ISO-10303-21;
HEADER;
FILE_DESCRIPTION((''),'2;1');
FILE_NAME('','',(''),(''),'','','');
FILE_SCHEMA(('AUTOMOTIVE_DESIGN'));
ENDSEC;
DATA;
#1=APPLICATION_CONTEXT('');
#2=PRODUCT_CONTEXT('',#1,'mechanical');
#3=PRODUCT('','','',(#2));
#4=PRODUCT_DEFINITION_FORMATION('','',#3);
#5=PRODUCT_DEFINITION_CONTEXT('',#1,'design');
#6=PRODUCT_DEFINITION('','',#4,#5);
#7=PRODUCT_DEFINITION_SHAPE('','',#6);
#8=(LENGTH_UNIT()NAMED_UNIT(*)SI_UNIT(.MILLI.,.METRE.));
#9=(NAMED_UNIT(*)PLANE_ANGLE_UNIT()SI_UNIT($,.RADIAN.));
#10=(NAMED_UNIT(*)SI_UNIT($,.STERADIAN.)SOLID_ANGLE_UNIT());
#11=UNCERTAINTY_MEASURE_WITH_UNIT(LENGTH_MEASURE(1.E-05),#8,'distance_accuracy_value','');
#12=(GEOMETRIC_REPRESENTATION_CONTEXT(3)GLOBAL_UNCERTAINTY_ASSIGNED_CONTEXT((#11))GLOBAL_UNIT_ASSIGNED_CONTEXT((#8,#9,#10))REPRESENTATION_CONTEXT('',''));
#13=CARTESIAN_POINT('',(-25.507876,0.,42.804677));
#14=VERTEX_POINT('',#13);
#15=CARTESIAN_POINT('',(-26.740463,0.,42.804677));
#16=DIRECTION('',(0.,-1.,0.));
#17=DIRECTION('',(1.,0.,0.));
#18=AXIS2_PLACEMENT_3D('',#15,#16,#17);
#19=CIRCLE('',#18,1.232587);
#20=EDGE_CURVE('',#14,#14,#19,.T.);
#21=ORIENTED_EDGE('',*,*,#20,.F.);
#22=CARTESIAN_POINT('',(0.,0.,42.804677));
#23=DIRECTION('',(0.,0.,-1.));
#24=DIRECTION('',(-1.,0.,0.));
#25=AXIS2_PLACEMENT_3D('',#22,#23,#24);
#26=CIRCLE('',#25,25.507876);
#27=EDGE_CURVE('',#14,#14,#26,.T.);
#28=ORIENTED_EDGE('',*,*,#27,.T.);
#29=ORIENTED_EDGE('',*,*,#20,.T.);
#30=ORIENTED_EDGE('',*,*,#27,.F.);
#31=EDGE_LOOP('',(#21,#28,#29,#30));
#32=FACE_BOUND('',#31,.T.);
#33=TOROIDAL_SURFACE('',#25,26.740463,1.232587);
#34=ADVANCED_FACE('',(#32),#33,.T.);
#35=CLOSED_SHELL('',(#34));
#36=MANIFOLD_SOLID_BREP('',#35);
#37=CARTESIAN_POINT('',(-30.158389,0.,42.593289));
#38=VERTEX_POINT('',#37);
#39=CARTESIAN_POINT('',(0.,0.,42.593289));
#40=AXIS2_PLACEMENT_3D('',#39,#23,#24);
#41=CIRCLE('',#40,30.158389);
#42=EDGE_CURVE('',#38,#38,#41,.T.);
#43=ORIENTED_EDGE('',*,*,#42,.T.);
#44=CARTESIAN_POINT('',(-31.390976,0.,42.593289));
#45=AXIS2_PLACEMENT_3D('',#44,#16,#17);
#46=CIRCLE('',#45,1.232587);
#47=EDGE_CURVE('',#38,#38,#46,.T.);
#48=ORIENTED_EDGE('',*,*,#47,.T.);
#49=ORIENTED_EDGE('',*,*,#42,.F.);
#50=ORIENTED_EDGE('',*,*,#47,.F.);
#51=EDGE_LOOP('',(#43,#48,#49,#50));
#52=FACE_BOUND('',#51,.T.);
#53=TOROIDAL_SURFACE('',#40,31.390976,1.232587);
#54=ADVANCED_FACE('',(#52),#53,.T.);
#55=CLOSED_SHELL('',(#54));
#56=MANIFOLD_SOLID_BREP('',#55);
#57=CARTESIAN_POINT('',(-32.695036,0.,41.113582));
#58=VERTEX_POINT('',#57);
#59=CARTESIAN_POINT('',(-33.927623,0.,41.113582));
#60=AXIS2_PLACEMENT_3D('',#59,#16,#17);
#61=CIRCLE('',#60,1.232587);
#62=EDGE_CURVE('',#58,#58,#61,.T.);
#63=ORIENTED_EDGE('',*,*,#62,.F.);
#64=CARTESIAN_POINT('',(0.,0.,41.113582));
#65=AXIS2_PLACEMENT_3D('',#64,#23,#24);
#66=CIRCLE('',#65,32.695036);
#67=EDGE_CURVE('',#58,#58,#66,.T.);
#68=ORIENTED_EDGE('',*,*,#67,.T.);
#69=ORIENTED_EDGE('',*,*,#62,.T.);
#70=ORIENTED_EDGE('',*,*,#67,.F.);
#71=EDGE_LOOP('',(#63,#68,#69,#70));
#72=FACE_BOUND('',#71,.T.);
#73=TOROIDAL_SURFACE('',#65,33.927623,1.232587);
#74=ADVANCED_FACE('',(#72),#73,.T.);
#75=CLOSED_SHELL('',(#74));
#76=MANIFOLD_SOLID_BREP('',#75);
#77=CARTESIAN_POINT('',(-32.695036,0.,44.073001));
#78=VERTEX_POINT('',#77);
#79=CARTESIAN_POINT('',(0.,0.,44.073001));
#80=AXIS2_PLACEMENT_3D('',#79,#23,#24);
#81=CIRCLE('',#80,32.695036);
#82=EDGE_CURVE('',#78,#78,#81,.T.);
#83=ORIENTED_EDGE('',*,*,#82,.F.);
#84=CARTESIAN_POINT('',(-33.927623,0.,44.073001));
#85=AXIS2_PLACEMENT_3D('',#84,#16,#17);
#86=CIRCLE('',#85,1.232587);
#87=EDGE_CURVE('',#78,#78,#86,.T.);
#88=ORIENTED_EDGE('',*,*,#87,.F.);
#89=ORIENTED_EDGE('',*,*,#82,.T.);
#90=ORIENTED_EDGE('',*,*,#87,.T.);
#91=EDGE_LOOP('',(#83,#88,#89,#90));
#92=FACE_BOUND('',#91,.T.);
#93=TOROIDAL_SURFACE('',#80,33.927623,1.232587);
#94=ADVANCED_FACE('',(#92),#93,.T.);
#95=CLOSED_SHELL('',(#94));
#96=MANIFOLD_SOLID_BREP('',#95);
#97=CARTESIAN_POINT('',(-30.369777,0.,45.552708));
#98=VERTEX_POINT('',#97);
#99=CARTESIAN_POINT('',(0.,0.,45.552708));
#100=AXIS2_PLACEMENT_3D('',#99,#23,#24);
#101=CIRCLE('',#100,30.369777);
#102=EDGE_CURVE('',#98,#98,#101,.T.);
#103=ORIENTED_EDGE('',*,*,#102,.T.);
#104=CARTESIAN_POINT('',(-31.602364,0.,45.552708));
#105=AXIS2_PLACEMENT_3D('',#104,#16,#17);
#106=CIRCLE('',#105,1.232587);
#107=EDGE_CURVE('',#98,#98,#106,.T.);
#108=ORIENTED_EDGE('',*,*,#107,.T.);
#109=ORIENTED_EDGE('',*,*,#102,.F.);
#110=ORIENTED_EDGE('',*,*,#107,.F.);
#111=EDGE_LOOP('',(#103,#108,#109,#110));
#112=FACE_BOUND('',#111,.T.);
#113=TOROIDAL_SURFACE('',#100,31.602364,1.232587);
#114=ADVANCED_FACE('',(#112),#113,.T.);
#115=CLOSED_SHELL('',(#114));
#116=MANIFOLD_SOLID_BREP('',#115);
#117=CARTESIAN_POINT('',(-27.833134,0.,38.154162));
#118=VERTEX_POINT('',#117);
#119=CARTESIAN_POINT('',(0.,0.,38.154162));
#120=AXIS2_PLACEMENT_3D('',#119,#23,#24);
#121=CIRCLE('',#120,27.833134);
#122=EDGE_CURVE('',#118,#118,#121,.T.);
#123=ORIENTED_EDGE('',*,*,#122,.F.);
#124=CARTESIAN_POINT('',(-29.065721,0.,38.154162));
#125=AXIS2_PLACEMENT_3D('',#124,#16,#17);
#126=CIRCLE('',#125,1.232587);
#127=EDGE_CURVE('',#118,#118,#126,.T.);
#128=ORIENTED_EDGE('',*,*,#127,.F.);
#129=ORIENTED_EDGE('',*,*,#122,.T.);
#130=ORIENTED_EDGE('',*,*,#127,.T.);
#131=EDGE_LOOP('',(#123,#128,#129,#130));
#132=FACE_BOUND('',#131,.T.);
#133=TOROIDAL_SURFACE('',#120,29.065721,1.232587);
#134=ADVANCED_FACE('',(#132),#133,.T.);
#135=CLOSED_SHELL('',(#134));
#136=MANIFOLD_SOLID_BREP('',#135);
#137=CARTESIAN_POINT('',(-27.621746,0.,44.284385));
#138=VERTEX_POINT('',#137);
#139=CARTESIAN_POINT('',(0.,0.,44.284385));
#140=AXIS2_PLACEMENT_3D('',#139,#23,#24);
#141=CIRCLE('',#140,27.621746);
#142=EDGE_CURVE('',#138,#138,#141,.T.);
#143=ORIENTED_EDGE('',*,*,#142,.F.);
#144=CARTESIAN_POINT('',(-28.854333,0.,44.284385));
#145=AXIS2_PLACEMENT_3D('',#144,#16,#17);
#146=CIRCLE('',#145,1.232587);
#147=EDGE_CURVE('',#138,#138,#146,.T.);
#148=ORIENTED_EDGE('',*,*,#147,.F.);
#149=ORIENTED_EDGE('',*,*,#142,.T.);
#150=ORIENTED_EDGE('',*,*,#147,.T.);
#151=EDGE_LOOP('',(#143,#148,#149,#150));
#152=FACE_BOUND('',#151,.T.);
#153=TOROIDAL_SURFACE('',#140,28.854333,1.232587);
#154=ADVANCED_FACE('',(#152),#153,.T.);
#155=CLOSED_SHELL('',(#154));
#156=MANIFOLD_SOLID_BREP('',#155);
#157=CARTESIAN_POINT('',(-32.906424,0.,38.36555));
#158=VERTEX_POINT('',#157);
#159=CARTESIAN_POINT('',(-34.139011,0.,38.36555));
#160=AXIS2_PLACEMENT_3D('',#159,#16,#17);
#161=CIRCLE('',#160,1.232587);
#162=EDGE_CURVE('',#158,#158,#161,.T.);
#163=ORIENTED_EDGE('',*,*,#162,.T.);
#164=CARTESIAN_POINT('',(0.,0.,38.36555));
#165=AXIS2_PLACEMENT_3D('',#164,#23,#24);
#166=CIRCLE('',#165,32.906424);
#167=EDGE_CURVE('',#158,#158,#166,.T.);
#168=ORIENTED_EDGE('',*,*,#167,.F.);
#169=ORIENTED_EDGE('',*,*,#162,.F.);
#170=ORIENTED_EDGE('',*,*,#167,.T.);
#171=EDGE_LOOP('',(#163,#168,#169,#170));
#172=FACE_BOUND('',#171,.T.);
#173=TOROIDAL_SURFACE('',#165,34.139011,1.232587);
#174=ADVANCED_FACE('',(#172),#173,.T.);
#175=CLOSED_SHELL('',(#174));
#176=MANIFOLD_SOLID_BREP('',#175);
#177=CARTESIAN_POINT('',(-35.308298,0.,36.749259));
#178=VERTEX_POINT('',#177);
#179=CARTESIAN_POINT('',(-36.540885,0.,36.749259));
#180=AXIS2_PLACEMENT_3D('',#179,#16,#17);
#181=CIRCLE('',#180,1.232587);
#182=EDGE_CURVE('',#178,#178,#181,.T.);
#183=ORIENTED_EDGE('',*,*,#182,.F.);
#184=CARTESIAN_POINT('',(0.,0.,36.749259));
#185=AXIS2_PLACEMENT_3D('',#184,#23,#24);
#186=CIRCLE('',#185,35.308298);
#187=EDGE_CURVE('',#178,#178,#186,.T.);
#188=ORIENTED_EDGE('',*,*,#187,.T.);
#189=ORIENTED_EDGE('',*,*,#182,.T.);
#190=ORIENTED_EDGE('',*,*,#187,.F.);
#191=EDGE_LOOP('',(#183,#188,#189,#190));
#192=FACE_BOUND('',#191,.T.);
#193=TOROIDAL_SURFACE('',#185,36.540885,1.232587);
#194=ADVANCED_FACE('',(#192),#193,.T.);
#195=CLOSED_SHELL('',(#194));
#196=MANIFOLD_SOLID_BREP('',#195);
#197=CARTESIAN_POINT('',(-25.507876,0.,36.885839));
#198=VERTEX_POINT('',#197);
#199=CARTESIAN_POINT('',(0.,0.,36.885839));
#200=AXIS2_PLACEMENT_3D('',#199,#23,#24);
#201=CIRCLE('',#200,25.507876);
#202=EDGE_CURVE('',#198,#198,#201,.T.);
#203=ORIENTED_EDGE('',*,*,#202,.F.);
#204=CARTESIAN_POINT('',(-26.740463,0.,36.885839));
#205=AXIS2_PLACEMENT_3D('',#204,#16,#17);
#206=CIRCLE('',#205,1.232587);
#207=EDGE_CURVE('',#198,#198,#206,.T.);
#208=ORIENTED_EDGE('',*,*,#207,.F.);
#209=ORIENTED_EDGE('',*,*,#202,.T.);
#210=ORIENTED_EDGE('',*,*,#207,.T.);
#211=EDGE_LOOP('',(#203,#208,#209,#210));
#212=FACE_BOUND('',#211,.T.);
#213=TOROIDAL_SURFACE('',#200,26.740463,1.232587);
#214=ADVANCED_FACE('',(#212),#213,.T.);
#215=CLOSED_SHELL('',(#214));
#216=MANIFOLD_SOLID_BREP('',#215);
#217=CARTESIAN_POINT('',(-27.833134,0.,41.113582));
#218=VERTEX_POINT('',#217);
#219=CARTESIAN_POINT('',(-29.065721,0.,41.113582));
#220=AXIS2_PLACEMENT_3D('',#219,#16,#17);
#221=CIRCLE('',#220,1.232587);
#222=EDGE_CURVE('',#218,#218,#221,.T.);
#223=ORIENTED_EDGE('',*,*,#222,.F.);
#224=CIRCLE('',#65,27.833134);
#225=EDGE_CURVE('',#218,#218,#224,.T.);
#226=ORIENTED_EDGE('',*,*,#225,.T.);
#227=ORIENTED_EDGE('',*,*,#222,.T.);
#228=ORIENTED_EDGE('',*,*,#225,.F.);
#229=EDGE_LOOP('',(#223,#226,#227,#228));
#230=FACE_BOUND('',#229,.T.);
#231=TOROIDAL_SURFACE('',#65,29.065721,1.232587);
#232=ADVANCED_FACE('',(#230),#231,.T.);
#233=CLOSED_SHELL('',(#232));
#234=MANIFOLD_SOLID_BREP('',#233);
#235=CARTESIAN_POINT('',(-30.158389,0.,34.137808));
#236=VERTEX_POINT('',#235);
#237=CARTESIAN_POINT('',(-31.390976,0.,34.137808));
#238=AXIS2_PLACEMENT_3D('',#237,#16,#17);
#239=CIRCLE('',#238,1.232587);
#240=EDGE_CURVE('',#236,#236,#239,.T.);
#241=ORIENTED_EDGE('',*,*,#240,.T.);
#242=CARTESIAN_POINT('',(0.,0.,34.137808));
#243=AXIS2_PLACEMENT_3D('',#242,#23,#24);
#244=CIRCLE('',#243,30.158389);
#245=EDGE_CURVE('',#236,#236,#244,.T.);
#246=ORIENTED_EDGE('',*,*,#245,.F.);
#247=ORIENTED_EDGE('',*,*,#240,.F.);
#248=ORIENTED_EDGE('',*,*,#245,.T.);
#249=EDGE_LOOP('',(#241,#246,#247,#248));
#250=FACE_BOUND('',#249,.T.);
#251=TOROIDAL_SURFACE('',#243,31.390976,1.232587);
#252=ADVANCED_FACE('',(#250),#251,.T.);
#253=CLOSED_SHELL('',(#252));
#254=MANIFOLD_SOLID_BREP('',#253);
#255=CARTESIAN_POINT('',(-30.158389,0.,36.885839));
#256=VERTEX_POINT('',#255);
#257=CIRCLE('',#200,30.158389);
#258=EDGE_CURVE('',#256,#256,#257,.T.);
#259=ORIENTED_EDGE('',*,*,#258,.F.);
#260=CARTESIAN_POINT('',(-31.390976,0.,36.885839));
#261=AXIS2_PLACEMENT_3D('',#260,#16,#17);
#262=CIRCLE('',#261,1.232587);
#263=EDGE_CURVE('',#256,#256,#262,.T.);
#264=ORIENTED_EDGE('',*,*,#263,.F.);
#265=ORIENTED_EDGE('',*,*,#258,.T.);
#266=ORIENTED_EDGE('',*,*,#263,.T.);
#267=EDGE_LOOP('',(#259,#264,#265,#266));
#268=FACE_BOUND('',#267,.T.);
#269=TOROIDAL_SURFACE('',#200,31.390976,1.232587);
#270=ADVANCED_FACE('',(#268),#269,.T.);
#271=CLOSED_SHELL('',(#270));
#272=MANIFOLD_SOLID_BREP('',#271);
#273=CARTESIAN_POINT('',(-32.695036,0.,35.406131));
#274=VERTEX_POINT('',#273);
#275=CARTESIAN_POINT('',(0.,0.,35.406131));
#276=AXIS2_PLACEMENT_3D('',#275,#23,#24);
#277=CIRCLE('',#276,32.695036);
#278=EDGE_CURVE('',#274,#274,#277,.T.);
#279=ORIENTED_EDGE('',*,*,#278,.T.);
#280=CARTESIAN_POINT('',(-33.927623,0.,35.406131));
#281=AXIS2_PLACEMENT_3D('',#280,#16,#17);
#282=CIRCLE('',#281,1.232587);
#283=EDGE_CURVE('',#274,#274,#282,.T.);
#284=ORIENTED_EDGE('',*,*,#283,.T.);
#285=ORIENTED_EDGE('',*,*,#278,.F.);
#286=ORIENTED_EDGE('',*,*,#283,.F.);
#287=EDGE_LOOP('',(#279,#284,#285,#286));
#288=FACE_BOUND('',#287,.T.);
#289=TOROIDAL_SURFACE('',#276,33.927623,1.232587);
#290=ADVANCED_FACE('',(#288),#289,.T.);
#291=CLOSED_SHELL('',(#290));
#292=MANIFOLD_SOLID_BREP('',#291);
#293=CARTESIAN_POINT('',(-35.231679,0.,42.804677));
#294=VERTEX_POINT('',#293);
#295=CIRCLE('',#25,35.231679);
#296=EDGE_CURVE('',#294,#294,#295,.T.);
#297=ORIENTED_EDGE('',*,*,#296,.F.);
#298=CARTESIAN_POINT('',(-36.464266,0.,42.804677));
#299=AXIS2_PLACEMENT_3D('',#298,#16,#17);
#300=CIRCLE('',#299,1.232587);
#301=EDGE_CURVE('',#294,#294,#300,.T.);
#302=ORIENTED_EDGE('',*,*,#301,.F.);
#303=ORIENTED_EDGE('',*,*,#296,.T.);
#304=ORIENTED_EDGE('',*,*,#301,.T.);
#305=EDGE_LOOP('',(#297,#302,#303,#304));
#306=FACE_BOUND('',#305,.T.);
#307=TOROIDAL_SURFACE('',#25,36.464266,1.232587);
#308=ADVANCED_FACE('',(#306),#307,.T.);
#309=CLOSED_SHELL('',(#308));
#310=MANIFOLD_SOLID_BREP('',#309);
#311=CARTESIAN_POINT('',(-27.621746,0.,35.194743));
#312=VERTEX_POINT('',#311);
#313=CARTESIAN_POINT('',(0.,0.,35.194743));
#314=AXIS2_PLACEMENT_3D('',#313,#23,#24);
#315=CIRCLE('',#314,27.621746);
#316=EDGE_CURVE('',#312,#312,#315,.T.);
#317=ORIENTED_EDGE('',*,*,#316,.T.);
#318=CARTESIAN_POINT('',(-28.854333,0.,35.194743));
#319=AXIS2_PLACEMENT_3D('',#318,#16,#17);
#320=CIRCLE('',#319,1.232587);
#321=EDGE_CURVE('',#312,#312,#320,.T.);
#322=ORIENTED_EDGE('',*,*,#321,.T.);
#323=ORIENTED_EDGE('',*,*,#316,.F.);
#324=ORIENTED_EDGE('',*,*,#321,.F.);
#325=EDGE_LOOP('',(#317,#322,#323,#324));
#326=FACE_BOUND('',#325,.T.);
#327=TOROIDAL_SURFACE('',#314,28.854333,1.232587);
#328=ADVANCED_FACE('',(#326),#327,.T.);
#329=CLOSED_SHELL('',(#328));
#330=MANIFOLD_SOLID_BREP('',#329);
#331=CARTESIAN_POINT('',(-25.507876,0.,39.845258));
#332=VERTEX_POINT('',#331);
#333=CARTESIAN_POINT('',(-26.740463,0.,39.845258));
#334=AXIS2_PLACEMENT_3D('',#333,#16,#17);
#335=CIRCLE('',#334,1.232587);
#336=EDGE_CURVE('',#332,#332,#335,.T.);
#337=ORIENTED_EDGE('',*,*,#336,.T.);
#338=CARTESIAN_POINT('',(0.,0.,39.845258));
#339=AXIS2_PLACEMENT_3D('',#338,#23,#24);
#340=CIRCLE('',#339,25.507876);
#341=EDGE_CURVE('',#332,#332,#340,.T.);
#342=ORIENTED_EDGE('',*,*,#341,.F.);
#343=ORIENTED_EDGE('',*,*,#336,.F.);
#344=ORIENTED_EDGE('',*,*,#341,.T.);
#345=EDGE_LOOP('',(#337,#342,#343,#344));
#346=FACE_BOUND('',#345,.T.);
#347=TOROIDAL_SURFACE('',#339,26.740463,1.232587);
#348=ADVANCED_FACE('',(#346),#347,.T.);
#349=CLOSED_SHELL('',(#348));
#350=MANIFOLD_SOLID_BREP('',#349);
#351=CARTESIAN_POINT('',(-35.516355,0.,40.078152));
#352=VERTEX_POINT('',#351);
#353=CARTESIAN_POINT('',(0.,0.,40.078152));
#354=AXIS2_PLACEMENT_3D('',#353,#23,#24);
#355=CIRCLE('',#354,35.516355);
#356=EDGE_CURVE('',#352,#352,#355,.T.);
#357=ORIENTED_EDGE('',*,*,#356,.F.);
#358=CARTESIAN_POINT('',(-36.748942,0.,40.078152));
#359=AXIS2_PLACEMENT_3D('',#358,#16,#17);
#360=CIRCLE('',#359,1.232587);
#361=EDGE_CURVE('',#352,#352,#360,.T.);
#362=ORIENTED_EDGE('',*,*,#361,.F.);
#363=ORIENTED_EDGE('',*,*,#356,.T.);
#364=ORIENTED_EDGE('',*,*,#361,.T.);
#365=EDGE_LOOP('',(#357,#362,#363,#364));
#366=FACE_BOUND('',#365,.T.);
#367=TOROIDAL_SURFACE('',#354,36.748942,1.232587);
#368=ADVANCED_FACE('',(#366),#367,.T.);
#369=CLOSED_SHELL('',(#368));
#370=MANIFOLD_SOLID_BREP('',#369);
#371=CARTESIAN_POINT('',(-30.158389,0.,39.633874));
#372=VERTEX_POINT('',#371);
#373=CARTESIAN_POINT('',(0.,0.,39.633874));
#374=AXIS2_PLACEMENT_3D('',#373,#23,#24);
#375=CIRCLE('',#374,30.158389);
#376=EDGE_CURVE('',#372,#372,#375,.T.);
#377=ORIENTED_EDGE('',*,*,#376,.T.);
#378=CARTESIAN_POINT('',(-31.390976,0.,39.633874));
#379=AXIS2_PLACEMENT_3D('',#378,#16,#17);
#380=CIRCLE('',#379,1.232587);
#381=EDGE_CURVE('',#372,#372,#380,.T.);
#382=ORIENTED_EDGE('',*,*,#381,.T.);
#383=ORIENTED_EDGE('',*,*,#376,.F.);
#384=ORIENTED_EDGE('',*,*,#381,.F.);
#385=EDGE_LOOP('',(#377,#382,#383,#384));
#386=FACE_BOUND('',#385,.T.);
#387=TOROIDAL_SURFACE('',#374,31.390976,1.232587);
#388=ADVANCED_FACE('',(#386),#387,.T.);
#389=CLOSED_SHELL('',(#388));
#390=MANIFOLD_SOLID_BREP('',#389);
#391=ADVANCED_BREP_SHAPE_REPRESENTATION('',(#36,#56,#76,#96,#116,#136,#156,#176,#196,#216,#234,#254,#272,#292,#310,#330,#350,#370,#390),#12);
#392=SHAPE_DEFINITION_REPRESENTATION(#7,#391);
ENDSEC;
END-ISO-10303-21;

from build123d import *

# Parameters (mm, degrees)
F0_R = 1.232587


with BuildPart() as f1:
    # F0 (on Front) → F1 (revolve)
    with BuildSketch(Plane.XZ):
        with Locations((-31.390976, 36.885839)):
            Circle(F0_R)
        with Locations((-28.854333, 35.194743)):
            Circle(F0_R)
        with Locations((-26.740463, 39.845258)):
            Circle(F0_R)
        with Locations((-31.390976, 42.593289)):
            Circle(F0_R)
        with Locations((-26.740463, 36.885839)):
            Circle(F0_R)
        with Locations((-33.927623, 41.113582)):
            Circle(F0_R)
        with Locations((-29.065721, 38.154162)):
            Circle(F0_R)
        with Locations((-36.540885, 36.749259)):
            Circle(F0_R)
        with Locations((-31.602364, 45.552708)):
            Circle(F0_R)
        with Locations((-26.740463, 42.804677)):
            Circle(F0_R)
        with Locations((-33.927623, 35.406131)):
            Circle(F0_R)
        with Locations((-33.927623, 44.073001)):
            Circle(F0_R)
        with Locations((-36.464266, 42.804677)):
            Circle(F0_R)
        with Locations((-36.748942, 40.078152)):
            Circle(F0_R)
        with Locations((-31.390976, 34.137808)):
            Circle(F0_R)
        with Locations((-31.390976, 39.633874)):
            Circle(F0_R)
        with Locations((-28.854333, 44.284385)):
            Circle(F0_R)
        with Locations((-34.139011, 38.36555)):
            Circle(F0_R)
        with Locations((-29.065721, 41.113582)):
            Circle(F0_R)
    revolve(axis=Axis((0, 0, 37.06134), (0, 0, -1)))


solid = f1.part
